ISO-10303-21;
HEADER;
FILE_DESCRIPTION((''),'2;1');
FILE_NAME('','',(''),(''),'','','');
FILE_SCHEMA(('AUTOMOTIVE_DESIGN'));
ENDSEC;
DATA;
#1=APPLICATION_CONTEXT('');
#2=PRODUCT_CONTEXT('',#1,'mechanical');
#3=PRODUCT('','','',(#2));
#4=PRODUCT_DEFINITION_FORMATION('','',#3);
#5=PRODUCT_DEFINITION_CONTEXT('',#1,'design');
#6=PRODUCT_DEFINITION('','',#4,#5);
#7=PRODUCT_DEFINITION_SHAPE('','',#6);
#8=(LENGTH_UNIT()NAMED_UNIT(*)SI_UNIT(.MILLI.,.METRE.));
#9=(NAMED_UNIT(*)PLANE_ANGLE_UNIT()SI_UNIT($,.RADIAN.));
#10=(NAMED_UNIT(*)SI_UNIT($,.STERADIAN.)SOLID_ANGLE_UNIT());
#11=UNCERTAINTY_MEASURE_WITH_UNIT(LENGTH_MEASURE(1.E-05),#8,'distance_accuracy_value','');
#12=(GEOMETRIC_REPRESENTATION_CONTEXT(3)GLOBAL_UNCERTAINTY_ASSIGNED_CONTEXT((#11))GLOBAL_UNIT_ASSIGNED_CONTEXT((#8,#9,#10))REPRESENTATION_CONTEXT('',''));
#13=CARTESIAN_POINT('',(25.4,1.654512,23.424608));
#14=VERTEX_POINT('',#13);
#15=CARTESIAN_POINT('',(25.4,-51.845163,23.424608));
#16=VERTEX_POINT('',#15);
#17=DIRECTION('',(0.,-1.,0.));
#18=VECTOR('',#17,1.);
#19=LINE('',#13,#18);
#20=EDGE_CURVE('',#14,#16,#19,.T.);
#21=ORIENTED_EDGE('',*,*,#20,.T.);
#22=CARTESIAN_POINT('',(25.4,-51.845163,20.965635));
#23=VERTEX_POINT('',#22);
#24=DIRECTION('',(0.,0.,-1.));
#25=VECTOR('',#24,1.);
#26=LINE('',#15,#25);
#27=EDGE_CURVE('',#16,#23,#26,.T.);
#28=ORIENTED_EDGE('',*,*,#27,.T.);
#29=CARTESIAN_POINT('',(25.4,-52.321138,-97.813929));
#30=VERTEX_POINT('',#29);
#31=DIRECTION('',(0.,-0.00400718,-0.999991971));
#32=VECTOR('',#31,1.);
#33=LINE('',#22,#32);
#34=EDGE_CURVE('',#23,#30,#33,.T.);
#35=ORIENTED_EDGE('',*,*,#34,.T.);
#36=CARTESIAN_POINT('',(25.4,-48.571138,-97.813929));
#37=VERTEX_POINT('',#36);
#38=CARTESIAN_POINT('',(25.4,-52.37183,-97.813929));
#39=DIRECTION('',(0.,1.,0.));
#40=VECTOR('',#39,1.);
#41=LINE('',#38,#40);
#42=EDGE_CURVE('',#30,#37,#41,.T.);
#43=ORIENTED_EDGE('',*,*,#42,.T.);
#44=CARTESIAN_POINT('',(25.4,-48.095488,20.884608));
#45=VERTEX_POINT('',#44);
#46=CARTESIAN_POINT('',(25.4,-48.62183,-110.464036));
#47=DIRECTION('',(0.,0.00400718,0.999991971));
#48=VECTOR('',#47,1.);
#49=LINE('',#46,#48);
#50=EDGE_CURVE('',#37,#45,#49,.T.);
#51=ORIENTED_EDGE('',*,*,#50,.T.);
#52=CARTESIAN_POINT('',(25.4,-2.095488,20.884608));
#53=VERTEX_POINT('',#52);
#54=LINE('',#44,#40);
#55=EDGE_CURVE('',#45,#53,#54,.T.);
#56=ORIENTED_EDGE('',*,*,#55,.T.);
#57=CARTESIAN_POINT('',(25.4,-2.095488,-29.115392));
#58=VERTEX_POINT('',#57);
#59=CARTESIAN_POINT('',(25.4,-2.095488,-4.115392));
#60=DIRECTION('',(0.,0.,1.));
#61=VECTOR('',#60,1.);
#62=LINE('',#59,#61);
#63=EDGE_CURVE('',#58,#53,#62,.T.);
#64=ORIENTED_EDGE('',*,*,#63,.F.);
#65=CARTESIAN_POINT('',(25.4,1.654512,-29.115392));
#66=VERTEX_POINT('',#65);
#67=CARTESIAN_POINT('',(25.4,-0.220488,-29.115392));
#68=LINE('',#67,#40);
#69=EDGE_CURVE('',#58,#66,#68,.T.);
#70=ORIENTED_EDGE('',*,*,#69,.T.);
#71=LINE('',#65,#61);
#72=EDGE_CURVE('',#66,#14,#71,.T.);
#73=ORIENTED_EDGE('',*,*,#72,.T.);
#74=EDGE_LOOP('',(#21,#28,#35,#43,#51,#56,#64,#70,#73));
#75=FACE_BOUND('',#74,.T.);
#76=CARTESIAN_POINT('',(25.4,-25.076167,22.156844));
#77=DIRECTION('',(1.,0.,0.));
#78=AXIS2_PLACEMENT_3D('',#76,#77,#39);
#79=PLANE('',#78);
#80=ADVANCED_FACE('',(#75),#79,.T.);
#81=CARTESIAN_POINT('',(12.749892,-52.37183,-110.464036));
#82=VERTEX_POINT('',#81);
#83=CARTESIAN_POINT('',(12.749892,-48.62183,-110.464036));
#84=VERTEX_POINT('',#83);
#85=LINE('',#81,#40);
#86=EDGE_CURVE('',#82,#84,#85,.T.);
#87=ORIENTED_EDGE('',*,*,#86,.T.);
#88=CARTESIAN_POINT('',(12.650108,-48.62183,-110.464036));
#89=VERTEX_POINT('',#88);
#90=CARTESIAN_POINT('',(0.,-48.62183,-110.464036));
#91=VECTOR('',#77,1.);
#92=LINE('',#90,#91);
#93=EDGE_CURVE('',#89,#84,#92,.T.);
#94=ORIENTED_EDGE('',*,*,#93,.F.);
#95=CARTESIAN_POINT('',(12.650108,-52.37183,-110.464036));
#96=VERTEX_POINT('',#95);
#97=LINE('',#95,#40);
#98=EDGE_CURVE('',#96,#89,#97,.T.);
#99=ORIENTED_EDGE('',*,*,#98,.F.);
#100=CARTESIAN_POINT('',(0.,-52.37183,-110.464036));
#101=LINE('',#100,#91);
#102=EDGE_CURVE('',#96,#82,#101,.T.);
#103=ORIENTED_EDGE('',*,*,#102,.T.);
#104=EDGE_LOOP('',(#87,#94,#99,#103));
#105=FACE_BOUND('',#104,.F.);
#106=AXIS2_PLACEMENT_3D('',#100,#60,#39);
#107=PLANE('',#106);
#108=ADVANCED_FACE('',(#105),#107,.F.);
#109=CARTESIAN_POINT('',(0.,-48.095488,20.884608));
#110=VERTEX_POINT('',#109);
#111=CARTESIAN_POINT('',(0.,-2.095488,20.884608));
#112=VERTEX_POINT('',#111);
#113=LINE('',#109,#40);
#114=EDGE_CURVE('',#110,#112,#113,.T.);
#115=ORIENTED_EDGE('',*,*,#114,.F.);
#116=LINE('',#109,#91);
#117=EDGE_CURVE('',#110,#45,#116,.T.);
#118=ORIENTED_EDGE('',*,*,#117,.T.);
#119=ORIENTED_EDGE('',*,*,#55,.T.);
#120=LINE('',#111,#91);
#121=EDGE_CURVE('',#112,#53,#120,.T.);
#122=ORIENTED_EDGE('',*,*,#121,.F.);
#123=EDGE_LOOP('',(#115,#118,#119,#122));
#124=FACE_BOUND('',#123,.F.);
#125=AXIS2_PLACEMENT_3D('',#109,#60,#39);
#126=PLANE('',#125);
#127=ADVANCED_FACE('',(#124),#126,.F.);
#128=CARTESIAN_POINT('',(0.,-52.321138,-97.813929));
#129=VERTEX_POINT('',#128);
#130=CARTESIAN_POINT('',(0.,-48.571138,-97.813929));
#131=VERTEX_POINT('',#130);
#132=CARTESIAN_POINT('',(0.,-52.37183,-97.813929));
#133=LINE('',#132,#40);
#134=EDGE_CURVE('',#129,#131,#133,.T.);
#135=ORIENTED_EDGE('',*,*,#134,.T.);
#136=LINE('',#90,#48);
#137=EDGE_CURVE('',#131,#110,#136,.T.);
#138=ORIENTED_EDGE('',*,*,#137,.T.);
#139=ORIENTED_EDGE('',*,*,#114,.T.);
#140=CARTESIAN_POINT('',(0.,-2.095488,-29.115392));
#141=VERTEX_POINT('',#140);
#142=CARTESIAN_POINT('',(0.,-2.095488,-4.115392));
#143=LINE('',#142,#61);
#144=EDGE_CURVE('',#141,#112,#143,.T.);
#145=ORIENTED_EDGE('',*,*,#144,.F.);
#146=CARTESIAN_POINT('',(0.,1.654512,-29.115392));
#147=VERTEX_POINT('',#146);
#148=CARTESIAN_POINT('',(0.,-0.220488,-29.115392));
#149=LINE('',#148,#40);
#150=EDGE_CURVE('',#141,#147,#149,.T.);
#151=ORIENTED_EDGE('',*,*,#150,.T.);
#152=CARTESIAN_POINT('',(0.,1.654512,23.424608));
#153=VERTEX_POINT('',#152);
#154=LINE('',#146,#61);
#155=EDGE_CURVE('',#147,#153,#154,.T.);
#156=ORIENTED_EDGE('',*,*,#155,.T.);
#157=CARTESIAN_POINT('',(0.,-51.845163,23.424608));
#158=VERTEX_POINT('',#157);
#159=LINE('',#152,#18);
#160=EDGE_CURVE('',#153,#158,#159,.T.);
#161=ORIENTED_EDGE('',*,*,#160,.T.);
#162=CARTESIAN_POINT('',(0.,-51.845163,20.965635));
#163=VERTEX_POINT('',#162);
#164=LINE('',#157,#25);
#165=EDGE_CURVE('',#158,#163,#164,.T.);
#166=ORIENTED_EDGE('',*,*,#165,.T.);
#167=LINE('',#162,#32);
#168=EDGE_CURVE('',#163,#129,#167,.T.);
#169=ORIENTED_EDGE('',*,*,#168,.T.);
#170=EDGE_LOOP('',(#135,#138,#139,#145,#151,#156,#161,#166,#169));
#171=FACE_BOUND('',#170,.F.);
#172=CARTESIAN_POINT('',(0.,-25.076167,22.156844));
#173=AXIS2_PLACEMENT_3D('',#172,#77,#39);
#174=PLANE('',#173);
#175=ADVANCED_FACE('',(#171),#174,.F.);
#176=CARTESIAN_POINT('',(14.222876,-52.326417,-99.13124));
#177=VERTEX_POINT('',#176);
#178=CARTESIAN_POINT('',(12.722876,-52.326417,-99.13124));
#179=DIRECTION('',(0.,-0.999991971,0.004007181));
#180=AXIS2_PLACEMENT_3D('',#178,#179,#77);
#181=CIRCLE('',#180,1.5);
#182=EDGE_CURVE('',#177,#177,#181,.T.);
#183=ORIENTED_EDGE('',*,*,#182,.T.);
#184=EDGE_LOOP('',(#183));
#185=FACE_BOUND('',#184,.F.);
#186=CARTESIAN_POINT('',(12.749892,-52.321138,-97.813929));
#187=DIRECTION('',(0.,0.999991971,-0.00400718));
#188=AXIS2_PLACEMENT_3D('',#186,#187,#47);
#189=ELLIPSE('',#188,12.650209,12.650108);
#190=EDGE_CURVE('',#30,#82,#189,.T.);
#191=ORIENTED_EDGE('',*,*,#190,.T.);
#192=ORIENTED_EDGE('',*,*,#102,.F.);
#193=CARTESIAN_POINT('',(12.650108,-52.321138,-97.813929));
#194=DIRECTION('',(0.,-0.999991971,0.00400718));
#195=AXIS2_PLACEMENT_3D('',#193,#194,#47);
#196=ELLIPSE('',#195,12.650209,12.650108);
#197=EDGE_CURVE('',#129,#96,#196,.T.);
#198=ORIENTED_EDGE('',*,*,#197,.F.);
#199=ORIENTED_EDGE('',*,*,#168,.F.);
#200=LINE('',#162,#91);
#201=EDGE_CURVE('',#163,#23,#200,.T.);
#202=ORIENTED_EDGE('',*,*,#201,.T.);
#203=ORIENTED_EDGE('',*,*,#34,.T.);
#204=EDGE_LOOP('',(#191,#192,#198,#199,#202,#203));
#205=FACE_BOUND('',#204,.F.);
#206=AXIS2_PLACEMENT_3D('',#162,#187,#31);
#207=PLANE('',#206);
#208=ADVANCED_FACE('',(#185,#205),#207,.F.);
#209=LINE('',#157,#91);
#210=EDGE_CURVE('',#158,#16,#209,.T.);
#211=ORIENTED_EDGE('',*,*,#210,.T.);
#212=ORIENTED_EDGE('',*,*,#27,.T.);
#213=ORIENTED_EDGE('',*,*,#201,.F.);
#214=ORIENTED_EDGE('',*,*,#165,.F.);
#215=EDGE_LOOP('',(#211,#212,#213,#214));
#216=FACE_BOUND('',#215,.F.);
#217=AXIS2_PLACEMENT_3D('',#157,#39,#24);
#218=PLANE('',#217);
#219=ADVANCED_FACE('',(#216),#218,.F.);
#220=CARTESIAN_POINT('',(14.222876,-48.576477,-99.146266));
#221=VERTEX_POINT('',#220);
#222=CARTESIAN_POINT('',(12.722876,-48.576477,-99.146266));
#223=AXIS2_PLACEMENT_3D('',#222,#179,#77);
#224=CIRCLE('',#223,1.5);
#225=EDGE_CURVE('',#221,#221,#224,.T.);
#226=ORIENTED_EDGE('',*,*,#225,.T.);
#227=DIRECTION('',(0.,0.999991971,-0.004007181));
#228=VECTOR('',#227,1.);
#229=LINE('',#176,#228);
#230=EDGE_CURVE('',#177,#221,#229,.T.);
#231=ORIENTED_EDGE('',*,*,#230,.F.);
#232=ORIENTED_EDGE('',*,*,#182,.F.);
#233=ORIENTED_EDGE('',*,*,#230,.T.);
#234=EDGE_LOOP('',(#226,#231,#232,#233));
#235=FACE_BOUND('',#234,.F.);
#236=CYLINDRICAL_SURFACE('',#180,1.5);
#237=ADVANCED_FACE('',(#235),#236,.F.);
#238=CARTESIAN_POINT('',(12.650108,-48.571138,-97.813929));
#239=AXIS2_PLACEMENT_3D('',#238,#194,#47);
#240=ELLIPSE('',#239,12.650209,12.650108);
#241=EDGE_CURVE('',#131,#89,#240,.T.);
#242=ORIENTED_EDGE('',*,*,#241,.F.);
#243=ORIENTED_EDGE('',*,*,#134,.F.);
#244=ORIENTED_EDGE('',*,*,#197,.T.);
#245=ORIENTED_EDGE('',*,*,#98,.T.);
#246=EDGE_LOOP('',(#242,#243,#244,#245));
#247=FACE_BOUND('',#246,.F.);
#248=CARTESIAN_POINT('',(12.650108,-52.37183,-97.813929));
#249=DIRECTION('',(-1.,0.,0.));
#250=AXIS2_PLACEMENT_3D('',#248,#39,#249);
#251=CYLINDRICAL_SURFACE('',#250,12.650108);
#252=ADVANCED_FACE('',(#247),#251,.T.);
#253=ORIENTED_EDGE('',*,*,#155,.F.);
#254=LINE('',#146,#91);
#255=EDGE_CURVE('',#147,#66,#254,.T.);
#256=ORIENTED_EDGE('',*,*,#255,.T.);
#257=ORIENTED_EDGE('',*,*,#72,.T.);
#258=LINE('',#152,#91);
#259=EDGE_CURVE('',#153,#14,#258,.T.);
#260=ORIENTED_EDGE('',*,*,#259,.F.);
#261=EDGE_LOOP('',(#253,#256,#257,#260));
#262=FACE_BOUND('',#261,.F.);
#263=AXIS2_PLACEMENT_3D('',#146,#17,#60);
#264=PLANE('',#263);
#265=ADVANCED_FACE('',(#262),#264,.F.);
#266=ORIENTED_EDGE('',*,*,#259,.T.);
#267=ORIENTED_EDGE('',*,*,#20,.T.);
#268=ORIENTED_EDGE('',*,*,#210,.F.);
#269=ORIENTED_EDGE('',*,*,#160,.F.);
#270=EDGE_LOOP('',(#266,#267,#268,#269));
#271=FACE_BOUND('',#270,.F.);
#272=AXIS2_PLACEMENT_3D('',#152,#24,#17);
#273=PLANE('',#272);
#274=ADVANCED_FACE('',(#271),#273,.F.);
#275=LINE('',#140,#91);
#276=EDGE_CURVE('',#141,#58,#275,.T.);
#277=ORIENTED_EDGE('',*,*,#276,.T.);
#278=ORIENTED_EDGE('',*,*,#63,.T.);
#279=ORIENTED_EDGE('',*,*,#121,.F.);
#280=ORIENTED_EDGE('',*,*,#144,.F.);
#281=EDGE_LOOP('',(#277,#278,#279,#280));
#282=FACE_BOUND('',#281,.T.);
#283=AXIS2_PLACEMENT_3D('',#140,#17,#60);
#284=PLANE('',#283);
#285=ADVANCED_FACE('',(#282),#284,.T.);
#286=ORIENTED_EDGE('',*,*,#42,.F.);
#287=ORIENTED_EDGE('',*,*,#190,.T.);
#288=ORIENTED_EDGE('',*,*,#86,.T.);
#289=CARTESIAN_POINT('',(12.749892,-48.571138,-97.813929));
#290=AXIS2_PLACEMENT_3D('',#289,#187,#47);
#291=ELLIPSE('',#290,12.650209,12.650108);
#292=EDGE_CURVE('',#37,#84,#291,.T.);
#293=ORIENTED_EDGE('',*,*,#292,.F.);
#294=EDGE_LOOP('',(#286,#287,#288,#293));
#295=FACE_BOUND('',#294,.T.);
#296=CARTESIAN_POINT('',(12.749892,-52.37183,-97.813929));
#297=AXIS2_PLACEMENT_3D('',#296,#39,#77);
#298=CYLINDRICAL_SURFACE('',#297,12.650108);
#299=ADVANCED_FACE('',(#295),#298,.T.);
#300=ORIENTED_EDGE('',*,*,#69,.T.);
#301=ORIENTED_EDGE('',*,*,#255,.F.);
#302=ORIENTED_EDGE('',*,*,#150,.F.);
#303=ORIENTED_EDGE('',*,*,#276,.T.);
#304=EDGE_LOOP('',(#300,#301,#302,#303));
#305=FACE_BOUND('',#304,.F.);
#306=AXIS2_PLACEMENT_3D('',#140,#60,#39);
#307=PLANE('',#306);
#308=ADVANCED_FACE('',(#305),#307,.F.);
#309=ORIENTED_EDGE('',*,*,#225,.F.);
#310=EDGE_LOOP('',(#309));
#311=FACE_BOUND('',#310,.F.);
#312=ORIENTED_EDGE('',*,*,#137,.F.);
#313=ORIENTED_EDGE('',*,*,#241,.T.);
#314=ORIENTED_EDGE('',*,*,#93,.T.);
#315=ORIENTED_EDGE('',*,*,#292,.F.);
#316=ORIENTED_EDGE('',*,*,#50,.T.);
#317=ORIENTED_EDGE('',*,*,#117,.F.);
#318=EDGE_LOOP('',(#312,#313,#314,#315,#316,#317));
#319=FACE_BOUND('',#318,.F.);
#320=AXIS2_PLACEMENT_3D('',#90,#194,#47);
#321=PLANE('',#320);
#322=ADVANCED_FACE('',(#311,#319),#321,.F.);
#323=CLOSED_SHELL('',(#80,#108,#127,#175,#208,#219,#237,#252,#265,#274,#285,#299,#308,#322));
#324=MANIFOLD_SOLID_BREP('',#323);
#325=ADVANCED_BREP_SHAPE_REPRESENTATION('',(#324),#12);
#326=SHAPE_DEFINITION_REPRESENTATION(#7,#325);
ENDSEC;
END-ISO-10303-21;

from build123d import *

# Parameters (mm, degrees)
F0_W     = 3.75
F0_H     = 50
F1_DEPTH = 25.4
F2_R     = 1.5
F3_DEPTH = 3.75
F4_R     = 12.6501077242


with BuildPart() as f1:
    # F0 (on Right) → F1 (new body)
    with BuildSketch(Plane.YZ):
        Polygon((-51.8451631069, 20.965634957), (-48.095487799, 20.8846080303), (-2.095487799, 20.8846080303), (1.654512201, 20.8846080303), (1.654512201, 23.4246080303), (-51.8451631069, 23.4246080303), align=None)
        Polygon((-48.6218297482, -110.4640364647), (-48.095487799, 20.8846080303), (-51.8451631069, 20.965634957), (-52.3718297482, -110.4640364647), align=None)
        with Locations((-0.220487799, -4.1153919697)):
            Rectangle(F0_W, F0_H)
    extrude(amount=F1_DEPTH)

    # F2 (on face) → F3 (cut)
    with BuildSketch(Plane(origin=(0, -51.9283430119, 0.2080879127), x_dir=(1, 0, 0), z_dir=(0, -0.9999919712, 0.0040071805))):
        with Locations((12.722876047, -99.3401251781)):
            Circle(F2_R)
    extrude(amount=-F3_DEPTH, mode=Mode.SUBTRACT)

    # F4
    f4_edges = [f1.edges().sort_by_distance(p)[0] for p in [
        (25.4, -50.49683, -110.464036),
        (0, -50.49683, -110.464036),
    ]]
    fillet(f4_edges, radius=F4_R)


solid = f1.part
